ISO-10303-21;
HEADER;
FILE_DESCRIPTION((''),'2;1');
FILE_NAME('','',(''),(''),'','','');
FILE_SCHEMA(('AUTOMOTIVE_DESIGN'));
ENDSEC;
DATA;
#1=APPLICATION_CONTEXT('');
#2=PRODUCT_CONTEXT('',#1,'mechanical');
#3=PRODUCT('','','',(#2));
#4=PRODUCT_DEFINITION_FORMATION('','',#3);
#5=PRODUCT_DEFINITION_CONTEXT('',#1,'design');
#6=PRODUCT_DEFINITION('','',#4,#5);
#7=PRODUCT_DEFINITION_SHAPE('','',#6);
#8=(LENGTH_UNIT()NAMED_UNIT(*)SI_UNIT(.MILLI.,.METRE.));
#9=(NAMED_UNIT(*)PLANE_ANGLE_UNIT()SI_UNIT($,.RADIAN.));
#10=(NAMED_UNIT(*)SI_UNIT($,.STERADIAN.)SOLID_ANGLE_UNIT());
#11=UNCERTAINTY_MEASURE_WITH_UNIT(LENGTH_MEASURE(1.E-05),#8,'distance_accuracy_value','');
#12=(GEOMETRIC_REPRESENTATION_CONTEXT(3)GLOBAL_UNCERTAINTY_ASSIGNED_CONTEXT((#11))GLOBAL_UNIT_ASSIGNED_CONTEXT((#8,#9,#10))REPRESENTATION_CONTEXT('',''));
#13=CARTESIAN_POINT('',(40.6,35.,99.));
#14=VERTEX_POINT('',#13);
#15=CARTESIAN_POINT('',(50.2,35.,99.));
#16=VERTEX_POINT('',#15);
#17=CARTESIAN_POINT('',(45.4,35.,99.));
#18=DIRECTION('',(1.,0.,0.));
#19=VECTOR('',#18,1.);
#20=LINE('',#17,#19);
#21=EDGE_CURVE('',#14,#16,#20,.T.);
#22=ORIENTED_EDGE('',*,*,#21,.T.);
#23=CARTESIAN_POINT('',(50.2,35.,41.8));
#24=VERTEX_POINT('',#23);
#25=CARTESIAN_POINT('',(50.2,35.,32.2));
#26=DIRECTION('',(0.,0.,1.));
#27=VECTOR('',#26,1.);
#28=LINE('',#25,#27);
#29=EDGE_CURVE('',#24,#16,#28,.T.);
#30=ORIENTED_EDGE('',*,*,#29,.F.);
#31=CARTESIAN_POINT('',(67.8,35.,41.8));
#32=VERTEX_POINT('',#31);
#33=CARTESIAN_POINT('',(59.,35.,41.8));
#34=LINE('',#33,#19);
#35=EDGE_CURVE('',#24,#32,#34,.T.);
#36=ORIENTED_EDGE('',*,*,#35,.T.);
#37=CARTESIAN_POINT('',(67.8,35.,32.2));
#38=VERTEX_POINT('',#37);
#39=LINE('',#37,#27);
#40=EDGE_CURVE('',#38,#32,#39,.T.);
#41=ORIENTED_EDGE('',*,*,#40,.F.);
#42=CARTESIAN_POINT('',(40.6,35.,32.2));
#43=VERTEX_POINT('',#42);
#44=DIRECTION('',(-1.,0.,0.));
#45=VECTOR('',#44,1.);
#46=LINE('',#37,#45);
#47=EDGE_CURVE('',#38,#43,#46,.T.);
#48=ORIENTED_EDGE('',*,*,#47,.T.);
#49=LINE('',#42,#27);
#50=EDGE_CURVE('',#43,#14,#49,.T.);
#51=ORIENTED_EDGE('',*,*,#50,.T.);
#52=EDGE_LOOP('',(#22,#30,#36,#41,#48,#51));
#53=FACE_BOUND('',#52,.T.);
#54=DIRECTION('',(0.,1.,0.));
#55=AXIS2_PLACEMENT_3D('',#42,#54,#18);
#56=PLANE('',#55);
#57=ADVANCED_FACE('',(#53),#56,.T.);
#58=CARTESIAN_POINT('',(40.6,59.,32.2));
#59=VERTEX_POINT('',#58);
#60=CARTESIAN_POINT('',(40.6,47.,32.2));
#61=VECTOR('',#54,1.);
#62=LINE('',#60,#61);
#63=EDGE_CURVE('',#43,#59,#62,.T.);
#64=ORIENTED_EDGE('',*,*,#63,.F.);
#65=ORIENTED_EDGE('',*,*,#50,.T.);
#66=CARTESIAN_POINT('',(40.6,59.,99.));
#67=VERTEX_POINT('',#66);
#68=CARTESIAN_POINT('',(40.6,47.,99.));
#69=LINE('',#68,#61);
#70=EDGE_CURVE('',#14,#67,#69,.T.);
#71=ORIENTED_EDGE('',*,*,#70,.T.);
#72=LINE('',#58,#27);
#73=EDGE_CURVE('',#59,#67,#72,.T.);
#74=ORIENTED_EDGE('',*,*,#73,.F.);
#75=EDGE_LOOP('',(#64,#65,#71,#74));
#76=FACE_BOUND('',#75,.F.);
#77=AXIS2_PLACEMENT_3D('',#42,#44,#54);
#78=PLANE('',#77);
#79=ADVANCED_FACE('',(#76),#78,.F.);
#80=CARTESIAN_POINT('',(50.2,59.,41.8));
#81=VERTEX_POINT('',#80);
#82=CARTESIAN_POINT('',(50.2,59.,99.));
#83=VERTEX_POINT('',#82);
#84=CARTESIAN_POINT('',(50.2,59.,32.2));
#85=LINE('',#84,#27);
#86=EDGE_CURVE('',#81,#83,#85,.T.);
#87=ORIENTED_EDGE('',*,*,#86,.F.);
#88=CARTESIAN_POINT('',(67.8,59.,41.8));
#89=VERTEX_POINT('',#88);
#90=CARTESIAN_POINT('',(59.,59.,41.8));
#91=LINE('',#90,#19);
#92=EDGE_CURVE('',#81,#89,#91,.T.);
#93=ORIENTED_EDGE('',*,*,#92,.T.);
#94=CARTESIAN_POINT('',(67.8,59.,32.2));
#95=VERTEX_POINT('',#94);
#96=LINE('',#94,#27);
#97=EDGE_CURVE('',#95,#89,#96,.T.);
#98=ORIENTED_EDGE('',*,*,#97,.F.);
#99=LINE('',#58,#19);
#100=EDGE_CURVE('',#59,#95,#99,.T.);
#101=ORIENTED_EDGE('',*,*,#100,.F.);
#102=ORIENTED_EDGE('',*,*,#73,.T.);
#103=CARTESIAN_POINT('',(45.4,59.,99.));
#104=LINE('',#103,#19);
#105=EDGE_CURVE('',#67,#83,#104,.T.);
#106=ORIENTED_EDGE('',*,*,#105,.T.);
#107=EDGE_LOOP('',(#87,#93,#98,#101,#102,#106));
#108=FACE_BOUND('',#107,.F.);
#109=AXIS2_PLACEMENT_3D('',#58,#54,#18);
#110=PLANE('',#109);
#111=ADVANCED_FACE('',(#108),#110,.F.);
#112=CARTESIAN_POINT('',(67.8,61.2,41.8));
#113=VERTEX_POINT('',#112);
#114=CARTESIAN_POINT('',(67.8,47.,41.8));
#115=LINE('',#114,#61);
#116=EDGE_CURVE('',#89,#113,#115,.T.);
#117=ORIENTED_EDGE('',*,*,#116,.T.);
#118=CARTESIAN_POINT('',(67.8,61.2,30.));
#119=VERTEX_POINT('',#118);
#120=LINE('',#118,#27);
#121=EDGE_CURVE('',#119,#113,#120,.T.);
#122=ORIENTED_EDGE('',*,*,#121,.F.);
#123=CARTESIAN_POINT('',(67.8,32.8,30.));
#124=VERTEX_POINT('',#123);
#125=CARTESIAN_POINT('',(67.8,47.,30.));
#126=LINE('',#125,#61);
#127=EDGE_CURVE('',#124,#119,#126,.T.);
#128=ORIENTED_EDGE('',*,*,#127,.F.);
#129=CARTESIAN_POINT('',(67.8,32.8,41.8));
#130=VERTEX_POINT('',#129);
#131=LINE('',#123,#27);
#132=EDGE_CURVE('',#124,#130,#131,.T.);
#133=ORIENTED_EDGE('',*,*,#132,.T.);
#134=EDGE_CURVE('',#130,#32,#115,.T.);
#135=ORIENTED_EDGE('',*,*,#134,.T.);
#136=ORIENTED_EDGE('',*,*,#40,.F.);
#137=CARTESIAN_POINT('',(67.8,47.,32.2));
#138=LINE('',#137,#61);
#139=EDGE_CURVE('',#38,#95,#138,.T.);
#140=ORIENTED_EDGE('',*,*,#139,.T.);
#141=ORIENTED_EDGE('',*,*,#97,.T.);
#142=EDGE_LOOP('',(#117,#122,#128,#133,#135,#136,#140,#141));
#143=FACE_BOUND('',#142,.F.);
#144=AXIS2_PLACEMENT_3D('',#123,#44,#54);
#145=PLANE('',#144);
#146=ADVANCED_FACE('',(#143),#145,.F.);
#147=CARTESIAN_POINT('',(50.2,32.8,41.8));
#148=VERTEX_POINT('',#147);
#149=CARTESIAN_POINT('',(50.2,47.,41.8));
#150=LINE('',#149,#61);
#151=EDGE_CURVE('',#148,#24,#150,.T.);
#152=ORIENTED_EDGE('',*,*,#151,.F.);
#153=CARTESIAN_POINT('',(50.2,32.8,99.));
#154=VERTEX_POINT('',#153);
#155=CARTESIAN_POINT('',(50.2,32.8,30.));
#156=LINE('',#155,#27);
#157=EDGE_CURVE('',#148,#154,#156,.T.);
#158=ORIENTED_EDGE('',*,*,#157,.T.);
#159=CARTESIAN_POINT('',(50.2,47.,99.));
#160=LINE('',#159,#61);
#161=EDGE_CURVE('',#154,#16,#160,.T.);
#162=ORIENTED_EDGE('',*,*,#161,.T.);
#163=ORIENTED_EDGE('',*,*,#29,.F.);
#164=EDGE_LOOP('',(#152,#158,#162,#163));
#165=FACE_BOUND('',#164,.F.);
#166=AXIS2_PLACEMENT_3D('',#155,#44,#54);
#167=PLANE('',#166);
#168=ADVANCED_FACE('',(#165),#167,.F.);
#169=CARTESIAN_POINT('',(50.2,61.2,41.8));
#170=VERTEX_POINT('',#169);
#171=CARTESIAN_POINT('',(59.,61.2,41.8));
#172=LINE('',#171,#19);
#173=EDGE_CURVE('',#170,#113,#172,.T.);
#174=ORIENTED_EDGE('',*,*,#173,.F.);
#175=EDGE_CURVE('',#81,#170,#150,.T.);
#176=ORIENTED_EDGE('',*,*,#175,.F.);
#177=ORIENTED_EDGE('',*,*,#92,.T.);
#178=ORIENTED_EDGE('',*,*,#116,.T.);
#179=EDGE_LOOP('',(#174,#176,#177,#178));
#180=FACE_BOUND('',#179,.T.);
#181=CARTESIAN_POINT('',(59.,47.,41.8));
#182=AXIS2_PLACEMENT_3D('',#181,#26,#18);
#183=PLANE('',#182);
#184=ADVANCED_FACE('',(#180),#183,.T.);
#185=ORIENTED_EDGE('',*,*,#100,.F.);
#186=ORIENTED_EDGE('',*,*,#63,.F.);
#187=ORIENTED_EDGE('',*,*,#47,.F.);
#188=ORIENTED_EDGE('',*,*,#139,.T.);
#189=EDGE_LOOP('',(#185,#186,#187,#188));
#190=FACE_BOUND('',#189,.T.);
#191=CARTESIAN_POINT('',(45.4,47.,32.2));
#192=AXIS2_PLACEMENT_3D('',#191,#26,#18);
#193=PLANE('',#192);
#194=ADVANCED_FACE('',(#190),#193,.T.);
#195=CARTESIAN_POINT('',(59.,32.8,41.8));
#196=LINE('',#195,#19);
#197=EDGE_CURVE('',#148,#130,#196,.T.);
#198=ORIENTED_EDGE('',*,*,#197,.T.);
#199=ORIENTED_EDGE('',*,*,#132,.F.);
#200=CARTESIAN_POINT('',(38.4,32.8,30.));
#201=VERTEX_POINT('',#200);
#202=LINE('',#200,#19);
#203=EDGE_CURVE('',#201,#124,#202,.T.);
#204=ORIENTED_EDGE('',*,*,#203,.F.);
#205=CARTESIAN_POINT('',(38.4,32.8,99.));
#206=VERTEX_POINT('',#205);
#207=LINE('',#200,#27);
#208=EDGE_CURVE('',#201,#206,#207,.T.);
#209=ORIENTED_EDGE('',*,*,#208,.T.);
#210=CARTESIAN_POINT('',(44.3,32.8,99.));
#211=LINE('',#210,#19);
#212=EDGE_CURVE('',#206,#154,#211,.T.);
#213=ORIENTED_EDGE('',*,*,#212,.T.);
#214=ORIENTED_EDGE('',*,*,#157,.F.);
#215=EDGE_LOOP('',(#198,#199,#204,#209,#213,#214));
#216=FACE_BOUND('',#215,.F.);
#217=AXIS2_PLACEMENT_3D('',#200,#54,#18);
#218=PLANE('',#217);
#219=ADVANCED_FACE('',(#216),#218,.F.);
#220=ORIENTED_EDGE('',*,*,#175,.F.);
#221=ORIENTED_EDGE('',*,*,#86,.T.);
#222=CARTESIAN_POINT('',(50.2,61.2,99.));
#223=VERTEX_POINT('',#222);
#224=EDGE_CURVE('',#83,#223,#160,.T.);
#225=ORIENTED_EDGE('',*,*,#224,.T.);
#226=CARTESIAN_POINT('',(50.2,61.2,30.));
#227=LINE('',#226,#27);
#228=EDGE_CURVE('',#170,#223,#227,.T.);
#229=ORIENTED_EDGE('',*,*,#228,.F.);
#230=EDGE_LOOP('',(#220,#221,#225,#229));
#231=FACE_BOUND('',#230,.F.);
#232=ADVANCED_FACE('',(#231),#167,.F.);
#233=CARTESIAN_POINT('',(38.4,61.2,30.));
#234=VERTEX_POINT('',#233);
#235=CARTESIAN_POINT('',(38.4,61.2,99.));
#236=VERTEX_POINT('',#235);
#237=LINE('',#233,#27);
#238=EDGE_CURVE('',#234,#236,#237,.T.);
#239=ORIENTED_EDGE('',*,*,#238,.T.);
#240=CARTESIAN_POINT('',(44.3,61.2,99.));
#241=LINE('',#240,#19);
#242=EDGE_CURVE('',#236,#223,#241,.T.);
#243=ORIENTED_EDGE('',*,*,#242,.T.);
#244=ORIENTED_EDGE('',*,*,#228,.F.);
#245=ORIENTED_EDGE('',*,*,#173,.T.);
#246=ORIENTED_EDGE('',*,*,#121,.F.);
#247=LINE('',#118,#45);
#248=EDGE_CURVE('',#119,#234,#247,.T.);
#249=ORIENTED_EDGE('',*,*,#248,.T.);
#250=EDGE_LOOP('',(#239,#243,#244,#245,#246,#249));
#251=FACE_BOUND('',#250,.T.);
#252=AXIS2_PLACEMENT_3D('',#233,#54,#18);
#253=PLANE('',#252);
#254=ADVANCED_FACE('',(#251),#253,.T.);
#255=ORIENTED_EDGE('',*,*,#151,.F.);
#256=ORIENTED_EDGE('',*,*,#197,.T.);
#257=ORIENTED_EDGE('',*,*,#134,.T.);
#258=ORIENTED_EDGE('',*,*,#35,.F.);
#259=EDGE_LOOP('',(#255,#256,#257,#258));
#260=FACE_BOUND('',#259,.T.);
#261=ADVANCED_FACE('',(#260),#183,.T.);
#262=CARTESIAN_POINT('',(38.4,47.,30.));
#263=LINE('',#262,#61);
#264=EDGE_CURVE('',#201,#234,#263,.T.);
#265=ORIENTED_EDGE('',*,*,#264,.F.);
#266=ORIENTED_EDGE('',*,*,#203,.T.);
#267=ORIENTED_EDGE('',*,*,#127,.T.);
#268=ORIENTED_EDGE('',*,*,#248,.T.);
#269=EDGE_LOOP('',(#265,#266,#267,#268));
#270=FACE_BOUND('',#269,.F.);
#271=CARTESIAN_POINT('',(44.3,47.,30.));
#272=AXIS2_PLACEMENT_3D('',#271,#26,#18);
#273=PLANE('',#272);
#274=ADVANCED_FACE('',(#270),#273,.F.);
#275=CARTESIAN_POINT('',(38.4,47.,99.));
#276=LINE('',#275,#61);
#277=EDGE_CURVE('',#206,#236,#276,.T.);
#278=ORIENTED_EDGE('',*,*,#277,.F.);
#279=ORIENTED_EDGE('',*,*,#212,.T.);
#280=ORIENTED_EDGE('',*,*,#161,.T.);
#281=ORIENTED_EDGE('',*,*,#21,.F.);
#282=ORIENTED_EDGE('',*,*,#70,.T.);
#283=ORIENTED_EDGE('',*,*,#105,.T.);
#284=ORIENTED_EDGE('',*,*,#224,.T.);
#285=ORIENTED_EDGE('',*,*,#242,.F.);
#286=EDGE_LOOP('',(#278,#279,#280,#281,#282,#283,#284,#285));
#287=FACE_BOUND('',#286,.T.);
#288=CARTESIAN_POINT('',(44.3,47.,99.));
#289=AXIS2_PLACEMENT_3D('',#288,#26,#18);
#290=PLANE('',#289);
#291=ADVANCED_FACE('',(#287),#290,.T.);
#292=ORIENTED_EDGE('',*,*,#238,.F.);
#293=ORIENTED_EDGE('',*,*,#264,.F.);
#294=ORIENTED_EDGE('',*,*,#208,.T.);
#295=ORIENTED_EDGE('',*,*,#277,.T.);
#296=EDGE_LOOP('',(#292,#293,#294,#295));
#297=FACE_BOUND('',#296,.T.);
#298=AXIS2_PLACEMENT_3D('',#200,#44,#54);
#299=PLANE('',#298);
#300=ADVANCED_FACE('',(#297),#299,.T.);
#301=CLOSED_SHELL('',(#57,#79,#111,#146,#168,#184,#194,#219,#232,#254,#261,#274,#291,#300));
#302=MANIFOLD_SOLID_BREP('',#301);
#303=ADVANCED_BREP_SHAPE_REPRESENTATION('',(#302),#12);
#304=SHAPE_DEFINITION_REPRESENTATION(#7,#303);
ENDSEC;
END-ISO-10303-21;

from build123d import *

# Parameters (mm, degrees)
BOX027_W     = 9.6
BOX027_H     = 24
BOX027_DEPTH = 66.8
BOX024_W     = 11.8
BOX024_H     = 28.4
BOX024_DEPTH = 69
BOX026_W     = 17.6
BOX026_H     = 24
BOX026_DEPTH = 9.6
BOX025_W     = 17.6
BOX025_H     = 28.4
BOX025_DEPTH = 11.8


with BuildPart() as cube020:
    # Box027 → Box027 (new body)
    with BuildSketch(Plane(origin=(-9.6, 2.2, 2.2), x_dir=(1, 0, 0), z_dir=(0, 0, 1))):
        with Locations((4.8, 12)):
            Rectangle(BOX027_W, BOX027_H)
    extrude(amount=BOX027_DEPTH)


with BuildPart() as cut024:
    # Box024 → Box024 (new body)
    with BuildSketch(Plane(origin=(-11.8, 0, 0), x_dir=(1, 0, 0), z_dir=(0, 0, 1))):
        with Locations((5.9, 14.2)):
            Rectangle(BOX024_W, BOX024_H)
    extrude(amount=BOX024_DEPTH)

    # Cut024: cut Cube020
    add(cube020.part, mode=Mode.SUBTRACT)


with BuildPart() as cube019:
    # Box026 → Box026 (new body)
    with BuildSketch(Plane(origin=(0, 2.2, 2.2), x_dir=(1, 0, 0), z_dir=(0, 0, 1))):
        with Locations((8.8, 12)):
            Rectangle(BOX026_W, BOX026_H)
    extrude(amount=BOX026_DEPTH)


with BuildPart() as rohr:
    # Box025 → Box025 (new body)
    with BuildSketch(Plane.XY):
        with Locations((8.8, 14.2)):
            Rectangle(BOX025_W, BOX025_H)
    extrude(amount=BOX025_DEPTH)

    # Cut023: cut Cube019
    add(cube019.part, mode=Mode.SUBTRACT)

    # Fusion010: union Cut024
    add(cut024.part)


with BuildPart() as rohr_1:
    # Fusion010 placement: moved
    add(rohr.part.moved(Location((50.2, 32.8, 30))))


solid = rohr_1.part
